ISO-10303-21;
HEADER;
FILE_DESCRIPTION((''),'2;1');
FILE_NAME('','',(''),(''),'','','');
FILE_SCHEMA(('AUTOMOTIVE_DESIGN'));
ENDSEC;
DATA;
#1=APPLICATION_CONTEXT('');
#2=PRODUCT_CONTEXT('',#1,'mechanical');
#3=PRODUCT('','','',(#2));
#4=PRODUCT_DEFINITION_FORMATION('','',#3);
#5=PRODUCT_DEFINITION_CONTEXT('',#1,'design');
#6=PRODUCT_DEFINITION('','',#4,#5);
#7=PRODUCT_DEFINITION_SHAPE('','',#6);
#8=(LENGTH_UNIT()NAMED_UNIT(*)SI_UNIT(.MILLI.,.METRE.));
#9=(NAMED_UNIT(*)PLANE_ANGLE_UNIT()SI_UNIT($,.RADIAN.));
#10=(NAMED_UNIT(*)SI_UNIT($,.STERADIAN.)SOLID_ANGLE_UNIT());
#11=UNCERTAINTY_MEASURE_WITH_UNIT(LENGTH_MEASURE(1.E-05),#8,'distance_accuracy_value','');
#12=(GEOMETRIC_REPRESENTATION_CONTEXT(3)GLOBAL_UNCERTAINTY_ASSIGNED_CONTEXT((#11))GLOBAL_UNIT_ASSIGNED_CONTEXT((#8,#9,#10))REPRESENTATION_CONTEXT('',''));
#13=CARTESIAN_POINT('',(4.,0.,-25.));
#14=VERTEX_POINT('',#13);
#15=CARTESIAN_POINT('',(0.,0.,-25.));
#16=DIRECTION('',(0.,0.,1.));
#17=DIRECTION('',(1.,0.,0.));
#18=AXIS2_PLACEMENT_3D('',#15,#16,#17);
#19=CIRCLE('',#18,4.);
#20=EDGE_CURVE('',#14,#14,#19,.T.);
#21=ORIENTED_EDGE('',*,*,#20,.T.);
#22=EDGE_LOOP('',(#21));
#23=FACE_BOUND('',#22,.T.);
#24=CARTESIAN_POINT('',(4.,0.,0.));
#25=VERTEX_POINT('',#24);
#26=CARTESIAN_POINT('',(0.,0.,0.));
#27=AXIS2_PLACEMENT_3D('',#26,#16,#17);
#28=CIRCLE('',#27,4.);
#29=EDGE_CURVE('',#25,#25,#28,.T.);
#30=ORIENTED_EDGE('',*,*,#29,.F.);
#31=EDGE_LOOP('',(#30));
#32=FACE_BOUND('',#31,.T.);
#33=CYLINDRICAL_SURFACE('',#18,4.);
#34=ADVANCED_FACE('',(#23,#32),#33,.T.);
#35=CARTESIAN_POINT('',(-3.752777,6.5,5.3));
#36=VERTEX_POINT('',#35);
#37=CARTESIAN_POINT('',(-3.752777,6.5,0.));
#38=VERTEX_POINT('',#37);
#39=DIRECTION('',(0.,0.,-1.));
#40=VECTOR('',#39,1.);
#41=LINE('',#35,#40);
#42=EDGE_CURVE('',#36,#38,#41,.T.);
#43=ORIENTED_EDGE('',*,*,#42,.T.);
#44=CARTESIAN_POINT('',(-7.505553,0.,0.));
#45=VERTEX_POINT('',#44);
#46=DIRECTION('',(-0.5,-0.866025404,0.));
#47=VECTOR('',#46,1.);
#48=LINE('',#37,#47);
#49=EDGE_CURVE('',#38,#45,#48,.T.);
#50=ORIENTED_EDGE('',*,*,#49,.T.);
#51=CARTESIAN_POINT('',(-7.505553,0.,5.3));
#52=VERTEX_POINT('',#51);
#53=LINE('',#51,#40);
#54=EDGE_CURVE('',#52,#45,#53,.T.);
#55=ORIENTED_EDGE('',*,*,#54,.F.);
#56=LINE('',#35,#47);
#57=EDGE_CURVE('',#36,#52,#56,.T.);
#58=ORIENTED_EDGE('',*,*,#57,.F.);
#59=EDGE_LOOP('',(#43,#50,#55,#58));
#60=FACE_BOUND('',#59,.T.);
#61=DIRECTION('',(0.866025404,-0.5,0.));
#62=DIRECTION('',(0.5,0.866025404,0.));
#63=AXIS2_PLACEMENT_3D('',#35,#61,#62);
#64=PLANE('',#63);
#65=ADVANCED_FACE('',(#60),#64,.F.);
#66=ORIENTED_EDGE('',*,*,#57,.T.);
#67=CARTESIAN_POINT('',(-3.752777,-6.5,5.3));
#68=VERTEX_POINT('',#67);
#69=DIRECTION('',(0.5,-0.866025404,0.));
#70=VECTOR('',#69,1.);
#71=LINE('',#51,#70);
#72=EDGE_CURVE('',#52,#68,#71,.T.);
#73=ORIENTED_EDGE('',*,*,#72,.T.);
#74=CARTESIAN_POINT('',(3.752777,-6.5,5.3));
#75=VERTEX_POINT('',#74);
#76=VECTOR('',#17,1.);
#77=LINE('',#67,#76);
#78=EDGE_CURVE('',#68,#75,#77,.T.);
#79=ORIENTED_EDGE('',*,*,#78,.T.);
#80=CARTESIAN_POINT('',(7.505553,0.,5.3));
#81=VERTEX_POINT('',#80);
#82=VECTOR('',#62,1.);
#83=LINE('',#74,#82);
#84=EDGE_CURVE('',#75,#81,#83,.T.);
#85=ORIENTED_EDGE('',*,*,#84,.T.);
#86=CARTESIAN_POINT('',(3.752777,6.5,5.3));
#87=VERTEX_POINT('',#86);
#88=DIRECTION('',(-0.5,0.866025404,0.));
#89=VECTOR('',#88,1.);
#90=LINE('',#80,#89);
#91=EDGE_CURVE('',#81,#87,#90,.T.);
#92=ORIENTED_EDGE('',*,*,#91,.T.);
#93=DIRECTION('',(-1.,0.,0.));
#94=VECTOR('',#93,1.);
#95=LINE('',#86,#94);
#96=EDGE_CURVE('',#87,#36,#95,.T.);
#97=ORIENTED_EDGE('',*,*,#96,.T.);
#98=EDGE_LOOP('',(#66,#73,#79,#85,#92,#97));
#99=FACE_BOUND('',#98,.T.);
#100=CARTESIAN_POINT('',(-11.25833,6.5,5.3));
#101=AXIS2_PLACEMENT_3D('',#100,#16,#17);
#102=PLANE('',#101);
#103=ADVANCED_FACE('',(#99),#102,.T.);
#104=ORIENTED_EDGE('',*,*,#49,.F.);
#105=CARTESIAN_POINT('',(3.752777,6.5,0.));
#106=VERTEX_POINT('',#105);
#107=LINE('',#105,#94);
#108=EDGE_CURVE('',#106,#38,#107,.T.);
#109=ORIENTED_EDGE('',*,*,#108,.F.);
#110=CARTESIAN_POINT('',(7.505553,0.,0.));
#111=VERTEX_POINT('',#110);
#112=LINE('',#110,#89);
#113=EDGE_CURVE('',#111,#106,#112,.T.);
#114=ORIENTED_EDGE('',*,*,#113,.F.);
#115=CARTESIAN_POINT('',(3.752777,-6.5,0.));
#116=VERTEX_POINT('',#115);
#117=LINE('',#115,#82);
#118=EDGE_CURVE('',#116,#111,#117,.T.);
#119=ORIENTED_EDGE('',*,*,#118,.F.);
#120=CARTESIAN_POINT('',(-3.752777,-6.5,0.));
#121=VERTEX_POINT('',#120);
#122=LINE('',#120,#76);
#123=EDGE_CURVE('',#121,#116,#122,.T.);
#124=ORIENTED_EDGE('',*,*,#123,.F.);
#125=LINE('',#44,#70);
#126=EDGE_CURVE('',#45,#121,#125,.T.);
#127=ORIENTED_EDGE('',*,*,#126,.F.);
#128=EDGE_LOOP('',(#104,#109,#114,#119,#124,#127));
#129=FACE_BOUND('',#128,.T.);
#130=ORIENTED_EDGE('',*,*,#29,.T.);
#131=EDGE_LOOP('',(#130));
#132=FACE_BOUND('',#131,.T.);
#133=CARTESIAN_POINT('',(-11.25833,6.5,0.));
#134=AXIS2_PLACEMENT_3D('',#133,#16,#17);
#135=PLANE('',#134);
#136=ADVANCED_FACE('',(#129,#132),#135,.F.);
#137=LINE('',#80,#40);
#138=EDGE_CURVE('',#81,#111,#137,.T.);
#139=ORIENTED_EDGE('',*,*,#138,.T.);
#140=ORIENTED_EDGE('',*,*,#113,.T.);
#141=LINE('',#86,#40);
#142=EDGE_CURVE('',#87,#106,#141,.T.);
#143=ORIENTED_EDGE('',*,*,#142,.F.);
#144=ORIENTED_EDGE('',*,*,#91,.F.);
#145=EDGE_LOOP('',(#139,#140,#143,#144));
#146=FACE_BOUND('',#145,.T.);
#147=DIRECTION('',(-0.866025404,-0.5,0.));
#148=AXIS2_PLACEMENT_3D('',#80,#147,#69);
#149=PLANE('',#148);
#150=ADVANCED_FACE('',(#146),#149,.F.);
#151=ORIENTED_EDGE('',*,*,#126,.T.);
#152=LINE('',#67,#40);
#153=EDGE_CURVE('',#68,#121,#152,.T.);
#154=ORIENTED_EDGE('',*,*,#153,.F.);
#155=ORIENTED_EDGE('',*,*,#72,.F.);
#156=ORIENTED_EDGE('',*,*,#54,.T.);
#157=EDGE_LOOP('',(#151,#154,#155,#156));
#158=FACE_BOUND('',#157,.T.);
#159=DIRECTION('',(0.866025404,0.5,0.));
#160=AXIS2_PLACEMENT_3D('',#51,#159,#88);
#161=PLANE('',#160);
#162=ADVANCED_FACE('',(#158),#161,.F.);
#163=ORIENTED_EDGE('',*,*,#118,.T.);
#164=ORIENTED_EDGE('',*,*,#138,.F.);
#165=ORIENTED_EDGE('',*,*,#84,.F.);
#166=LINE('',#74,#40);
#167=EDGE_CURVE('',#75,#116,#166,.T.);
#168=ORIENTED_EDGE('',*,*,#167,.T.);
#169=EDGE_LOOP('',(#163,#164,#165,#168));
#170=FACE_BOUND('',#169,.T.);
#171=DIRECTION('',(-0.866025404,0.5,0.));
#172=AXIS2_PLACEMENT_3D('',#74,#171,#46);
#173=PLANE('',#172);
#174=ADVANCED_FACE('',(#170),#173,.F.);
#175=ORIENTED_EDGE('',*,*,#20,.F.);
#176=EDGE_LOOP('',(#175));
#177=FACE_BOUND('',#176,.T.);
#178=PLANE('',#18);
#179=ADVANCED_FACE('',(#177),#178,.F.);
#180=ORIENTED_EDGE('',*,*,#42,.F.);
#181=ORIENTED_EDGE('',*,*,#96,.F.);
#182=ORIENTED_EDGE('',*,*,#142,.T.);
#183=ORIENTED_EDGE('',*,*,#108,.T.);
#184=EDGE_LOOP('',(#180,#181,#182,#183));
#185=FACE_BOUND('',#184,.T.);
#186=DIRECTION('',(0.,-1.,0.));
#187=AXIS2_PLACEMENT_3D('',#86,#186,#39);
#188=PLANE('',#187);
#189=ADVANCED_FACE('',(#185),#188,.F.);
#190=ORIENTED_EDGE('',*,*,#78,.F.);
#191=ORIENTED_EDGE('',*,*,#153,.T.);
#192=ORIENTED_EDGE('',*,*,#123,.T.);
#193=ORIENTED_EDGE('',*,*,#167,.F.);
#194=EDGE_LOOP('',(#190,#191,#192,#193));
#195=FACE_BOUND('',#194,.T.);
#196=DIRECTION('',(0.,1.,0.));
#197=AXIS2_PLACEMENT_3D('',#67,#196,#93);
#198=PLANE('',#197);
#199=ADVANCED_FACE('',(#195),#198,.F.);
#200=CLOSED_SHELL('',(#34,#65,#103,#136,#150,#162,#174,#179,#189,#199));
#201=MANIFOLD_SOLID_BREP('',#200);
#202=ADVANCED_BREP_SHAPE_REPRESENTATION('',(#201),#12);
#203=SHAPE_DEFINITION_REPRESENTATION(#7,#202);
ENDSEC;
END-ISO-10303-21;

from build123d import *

# Parameters (mm, degrees)
SKETCH1_R      = 4
EXTRUDE1_DEPTH = 25
EXTRUDE2_DEPTH = 5.3


with BuildPart() as part:
    # Sketch1 → Extrude1 (new body)
    with BuildSketch(Plane.XY):
        Circle(SKETCH1_R)
    extrude(amount=-EXTRUDE1_DEPTH)

    # Sketch2 → Extrude2 (add)
    with BuildSketch(Plane.XY):
        Polygon((-3.75277675, 6.5), (-7.505553499, 0), (-3.75277675, -6.5), (3.75277675, -6.5), (7.505553499, 0), (3.75277675, 6.5), align=None)
    extrude(amount=EXTRUDE2_DEPTH)


solid = part.part
